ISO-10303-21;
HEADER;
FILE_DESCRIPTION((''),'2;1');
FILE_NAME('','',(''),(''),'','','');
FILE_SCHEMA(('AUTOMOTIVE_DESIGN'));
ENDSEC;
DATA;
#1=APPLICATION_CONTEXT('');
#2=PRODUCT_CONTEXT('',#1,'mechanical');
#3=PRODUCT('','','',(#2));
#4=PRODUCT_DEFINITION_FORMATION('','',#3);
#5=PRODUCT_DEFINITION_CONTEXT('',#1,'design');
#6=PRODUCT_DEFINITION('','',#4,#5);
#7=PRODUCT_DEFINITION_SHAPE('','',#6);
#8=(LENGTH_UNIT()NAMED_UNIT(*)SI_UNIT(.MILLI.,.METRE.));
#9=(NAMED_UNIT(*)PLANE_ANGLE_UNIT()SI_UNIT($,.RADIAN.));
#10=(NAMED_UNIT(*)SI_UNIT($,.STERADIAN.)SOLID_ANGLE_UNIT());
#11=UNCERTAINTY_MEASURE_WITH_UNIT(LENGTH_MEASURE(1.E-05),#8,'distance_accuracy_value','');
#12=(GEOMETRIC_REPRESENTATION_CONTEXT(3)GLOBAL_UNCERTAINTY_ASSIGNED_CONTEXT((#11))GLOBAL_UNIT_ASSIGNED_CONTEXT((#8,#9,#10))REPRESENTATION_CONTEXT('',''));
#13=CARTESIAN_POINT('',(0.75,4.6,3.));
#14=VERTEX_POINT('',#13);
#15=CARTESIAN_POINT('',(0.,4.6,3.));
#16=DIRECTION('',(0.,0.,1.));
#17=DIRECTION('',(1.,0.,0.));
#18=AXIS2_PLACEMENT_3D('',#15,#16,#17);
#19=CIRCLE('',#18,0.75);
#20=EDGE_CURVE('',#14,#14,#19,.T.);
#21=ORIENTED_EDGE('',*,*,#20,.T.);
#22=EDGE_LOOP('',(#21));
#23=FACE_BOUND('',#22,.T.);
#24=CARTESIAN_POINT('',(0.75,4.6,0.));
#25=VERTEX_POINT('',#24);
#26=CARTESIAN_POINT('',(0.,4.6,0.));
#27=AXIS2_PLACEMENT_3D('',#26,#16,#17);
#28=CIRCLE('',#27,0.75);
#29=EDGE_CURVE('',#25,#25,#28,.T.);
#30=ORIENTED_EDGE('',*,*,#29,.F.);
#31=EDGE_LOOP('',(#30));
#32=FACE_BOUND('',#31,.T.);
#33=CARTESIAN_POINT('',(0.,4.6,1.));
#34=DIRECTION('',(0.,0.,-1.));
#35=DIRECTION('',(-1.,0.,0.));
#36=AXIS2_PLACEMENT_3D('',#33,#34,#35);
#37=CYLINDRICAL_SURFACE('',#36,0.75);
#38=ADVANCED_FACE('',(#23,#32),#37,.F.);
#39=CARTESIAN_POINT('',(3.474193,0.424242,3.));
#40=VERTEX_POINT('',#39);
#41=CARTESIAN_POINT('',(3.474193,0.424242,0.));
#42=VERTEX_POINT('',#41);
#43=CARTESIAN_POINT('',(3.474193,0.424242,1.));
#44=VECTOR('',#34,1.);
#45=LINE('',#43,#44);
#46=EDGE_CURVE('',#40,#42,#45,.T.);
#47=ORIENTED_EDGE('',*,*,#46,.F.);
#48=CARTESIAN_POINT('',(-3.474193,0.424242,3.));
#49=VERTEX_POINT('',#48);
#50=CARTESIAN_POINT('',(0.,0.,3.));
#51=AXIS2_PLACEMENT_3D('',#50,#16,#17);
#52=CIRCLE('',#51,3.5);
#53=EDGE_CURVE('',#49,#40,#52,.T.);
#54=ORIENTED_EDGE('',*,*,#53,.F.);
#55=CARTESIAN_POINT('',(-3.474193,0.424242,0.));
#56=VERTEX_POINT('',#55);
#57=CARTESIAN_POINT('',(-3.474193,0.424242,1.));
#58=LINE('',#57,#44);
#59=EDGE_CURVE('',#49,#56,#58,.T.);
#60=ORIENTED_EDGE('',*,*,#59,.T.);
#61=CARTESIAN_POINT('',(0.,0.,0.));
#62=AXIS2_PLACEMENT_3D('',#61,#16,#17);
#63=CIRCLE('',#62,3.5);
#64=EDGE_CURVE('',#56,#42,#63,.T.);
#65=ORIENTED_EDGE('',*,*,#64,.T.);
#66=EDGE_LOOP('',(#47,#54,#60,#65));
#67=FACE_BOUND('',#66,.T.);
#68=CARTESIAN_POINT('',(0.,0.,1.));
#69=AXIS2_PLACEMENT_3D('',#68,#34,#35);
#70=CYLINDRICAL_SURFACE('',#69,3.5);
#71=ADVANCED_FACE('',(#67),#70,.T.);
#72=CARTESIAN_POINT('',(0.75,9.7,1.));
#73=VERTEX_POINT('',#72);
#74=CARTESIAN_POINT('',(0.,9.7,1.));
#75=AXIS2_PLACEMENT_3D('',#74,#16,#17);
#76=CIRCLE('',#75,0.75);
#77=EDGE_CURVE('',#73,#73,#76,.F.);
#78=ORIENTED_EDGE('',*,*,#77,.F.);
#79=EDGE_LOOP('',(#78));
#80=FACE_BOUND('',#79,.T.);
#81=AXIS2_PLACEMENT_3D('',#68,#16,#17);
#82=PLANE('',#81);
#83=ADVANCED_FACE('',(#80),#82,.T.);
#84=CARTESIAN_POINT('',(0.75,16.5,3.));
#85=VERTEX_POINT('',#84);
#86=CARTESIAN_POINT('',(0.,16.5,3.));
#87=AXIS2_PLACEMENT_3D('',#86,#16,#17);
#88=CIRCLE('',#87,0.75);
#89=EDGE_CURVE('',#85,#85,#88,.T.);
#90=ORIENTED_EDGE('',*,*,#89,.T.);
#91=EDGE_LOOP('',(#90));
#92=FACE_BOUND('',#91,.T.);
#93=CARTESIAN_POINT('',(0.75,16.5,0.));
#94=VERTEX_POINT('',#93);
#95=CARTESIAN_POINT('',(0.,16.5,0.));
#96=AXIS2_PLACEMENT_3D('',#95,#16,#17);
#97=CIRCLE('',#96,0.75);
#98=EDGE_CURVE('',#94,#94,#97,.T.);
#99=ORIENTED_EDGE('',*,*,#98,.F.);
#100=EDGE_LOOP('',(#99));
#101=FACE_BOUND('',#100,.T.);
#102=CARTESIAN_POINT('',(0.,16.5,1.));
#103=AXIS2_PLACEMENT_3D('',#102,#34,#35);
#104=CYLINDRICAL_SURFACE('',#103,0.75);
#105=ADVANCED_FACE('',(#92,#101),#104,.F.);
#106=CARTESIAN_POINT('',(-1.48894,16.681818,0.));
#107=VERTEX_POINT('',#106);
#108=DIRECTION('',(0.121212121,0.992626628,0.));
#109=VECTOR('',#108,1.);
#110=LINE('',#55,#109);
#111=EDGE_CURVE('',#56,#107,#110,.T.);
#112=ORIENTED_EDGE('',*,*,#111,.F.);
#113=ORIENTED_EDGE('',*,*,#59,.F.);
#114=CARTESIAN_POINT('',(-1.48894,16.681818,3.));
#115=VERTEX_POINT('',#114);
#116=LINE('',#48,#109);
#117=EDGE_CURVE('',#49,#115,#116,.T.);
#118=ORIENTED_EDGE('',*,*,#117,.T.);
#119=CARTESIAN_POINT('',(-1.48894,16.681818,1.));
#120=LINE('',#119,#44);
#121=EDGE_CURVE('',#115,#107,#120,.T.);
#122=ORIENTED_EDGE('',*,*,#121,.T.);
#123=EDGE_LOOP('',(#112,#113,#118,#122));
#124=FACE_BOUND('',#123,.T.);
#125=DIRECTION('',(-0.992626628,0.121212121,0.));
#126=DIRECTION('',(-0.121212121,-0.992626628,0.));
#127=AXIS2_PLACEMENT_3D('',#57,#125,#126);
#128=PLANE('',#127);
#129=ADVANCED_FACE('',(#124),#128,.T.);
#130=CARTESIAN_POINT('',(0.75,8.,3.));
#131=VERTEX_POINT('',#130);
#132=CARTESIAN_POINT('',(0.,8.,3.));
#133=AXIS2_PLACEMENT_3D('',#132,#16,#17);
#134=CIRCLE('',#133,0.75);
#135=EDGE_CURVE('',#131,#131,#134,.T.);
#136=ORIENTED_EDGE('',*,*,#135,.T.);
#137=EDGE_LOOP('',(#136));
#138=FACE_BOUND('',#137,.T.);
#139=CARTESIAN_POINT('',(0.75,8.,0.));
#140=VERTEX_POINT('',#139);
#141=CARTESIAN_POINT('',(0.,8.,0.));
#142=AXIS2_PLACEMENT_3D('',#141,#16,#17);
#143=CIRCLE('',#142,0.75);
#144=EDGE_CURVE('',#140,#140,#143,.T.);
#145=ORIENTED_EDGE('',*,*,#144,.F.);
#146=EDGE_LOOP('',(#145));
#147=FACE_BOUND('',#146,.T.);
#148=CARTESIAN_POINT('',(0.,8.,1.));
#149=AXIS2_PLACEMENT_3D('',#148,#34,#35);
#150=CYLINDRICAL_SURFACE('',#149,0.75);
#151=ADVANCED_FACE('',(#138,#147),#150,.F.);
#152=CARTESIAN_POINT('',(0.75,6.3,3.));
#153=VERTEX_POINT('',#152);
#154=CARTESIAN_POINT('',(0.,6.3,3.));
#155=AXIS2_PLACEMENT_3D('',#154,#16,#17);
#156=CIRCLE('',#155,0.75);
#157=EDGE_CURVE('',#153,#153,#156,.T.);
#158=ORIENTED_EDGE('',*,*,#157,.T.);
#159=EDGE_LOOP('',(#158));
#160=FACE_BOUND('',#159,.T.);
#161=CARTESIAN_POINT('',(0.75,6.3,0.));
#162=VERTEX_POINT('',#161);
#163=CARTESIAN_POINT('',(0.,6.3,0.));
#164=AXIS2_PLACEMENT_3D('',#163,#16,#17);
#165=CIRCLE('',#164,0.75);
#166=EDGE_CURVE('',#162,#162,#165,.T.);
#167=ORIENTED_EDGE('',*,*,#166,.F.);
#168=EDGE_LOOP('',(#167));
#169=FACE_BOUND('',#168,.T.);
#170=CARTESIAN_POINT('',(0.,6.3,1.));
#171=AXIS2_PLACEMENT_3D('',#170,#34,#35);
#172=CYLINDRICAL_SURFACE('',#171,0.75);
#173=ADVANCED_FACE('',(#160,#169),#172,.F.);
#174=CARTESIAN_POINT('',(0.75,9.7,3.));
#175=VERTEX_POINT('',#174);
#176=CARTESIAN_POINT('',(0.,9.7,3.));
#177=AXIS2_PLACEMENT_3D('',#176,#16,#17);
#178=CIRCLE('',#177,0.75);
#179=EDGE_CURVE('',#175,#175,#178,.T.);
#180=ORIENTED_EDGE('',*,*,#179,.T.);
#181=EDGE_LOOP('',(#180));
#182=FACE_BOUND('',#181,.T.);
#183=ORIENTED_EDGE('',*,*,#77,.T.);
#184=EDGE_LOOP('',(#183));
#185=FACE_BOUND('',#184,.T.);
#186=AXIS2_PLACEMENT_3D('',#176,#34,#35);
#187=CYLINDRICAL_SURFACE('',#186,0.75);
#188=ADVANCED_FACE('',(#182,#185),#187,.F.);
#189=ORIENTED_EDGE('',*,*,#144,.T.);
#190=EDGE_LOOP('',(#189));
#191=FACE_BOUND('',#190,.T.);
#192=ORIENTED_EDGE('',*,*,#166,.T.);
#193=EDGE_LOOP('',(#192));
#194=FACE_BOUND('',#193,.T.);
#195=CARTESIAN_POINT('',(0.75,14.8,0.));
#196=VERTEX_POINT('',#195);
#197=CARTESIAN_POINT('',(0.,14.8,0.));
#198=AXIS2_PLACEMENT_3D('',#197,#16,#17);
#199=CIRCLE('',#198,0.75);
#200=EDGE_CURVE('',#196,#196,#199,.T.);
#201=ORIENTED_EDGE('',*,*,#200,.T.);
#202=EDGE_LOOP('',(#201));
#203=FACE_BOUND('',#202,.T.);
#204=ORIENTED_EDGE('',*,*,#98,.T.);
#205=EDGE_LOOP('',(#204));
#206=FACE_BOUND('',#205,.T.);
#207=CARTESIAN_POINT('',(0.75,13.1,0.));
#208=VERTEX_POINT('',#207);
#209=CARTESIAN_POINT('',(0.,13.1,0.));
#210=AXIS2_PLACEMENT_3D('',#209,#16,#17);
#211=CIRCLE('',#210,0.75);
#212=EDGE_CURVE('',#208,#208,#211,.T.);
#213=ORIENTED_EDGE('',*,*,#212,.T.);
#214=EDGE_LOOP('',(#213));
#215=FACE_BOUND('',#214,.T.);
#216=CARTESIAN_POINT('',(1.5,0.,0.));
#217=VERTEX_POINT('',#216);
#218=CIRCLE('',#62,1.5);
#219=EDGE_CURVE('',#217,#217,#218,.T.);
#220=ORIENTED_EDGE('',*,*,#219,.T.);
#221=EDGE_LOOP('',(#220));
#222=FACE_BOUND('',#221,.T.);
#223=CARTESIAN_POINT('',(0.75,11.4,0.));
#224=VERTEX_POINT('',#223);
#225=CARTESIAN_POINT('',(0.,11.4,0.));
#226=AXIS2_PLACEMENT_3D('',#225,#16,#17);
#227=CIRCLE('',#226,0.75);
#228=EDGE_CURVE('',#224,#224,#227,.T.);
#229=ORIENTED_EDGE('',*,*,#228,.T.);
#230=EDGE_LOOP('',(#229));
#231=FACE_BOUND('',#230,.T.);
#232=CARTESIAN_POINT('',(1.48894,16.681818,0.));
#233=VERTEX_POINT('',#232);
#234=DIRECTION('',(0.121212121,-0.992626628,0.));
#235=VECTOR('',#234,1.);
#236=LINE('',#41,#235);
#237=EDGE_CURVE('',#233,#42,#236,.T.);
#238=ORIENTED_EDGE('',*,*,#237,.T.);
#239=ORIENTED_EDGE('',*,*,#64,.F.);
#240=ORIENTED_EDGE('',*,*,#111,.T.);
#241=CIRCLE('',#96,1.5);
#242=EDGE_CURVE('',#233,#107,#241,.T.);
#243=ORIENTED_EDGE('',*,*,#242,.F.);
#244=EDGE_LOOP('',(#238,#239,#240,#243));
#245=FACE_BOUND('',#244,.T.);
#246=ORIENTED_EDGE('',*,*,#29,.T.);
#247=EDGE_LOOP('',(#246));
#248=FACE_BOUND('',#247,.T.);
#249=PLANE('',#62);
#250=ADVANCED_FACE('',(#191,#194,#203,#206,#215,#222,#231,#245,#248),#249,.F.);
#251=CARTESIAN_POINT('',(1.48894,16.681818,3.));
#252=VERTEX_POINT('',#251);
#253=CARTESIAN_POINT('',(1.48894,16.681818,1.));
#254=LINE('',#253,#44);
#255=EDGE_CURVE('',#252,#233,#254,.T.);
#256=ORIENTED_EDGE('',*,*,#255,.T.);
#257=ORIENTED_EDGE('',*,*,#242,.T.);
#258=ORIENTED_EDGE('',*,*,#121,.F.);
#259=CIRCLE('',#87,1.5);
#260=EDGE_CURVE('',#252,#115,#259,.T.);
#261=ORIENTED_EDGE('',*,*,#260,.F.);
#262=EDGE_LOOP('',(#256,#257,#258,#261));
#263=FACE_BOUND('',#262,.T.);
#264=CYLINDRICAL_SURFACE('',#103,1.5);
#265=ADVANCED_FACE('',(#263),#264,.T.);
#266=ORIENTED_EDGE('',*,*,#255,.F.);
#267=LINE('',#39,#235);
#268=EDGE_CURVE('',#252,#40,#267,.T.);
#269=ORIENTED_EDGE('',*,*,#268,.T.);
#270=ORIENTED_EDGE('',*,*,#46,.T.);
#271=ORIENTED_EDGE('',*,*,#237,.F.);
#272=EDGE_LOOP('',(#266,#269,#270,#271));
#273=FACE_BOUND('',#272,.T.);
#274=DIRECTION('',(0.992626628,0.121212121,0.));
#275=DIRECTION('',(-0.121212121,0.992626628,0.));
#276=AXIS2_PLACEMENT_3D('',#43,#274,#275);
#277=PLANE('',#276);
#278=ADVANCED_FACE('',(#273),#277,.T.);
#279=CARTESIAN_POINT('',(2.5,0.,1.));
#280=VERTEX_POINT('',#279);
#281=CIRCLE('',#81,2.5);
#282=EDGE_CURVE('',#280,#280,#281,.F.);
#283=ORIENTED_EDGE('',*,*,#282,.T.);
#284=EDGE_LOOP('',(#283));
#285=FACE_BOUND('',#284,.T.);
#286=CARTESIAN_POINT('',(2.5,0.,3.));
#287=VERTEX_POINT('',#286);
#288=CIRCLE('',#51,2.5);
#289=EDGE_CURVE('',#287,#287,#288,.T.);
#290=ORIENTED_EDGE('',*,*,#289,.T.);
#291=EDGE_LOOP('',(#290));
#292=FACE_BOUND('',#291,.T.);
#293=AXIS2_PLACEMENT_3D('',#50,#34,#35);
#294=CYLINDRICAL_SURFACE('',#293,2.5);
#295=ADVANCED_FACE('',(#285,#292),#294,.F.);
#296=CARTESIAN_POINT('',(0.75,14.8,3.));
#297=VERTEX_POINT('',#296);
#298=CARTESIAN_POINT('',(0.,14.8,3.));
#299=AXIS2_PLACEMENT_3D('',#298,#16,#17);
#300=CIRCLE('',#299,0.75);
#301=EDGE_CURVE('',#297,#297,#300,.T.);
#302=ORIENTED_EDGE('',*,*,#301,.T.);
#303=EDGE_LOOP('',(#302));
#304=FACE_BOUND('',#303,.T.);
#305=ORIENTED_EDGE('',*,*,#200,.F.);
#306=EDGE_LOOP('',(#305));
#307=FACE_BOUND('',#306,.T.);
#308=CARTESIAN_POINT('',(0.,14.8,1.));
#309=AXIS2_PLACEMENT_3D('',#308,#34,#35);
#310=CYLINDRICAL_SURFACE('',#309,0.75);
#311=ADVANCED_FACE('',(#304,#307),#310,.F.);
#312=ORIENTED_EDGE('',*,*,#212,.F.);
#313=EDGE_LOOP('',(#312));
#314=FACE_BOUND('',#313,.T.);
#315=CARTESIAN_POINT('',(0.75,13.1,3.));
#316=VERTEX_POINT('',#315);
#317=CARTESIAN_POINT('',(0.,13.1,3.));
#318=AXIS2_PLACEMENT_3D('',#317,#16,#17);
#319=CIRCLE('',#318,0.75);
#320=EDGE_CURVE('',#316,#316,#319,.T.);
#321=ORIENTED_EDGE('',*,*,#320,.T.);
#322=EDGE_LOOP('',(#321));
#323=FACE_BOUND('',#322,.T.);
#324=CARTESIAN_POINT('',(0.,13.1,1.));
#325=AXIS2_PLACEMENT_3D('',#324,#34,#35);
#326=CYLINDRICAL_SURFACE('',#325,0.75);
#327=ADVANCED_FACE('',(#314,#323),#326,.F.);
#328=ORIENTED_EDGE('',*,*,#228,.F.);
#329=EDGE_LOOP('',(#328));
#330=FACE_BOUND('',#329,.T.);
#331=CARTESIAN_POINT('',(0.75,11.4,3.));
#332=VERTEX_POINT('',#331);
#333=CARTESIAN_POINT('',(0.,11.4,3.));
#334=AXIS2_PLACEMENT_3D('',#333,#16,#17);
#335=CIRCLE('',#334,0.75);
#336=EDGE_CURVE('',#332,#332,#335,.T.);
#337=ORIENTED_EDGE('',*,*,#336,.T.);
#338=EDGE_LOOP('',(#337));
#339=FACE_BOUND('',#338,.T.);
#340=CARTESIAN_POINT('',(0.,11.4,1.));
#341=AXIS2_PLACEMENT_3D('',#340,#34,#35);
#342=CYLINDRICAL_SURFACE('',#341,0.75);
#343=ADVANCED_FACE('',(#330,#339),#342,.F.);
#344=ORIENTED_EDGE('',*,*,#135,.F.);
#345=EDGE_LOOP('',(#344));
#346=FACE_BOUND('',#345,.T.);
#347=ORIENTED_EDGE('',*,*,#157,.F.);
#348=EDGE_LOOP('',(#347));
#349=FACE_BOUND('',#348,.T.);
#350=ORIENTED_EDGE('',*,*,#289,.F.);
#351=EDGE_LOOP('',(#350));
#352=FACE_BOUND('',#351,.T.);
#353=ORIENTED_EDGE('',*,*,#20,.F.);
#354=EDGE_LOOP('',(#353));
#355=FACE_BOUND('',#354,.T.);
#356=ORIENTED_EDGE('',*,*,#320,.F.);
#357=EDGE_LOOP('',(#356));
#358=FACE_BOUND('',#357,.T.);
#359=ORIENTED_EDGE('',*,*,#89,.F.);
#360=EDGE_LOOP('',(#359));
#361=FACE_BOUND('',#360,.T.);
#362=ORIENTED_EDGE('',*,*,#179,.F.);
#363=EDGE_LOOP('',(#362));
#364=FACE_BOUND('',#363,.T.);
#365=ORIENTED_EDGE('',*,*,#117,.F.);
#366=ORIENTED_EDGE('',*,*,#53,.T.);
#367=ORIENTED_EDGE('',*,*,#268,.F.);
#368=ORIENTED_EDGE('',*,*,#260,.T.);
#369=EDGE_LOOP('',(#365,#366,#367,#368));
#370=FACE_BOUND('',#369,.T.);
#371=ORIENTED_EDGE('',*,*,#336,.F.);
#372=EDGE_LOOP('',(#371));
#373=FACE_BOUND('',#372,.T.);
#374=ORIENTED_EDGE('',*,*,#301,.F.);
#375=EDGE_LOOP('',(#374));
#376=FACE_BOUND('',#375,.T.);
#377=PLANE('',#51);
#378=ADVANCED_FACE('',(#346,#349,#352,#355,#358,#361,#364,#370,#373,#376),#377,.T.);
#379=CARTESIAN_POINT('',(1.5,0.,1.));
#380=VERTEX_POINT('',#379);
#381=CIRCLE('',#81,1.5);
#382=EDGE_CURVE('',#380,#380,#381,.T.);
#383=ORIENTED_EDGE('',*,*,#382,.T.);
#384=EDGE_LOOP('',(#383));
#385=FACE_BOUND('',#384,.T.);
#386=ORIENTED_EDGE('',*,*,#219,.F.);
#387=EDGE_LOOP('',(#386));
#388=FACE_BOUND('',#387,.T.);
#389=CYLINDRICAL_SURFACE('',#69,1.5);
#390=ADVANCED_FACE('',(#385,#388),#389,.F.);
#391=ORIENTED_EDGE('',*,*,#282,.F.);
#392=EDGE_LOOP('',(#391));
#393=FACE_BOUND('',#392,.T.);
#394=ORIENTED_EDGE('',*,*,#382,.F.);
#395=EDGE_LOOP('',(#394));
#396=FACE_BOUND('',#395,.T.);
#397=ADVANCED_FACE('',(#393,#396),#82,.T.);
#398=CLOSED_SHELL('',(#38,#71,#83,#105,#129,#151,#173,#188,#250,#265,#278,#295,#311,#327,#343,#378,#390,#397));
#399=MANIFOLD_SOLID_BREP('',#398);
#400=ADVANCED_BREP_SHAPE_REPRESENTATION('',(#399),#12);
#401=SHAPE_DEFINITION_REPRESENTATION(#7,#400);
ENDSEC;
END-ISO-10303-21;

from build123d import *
from build123d.topology import SkipClean

# Parameters (mm, degrees)
SKETCH2_R           = 0.75
SKETCH2_R_2         = 1.5
BOSS_EXTRUDE1_DEPTH = 1
SKETCH2_3_R         = 2.5
SKETCH2_3_R_2       = 0.75
BOSS_EXTRUDE2_DEPTH = 3


with BuildPart() as part:
    # Sketch2 → Boss-Extrude1 (new body)
    with BuildSketch(Plane(origin=(0, 0, 0), x_dir=(0, 1, 0), z_dir=(0, 0, 1))):
        with BuildLine():
            Line((0.424242424, 3.474193196), (16.681818182, 1.488939941))
            ThreePointArc((16.681818182, 1.488939941), (18, 0), (16.681818182, -1.488939941))
            Line((16.681818182, -1.488939941), (0.424242424, -3.474193196))
            ThreePointArc((0.424242424, -3.474193196), (-3.5, 0), (0.424242424, 3.474193196))
        make_face()
        with Locations(Location((16.5, 0, 0), (0, 0, 270))):
            Circle(SKETCH2_R, mode=Mode.SUBTRACT)
        with Locations(Location((14.8, 0, 0), (0, 0, 270))):
            Circle(SKETCH2_R, mode=Mode.SUBTRACT)
        with Locations(Location((13.1, 0, 0), (0, 0, 270))):
            Circle(SKETCH2_R, mode=Mode.SUBTRACT)
        with Locations(Location((11.4, 0, 0), (0, 0, 270))):
            Circle(SKETCH2_R, mode=Mode.SUBTRACT)
        with Locations(Location((8, 0, 0), (0, 0, 270))):
            Circle(SKETCH2_R, mode=Mode.SUBTRACT)
        with Locations(Location((6.3, 0, 0), (0, 0, 270))):
            Circle(SKETCH2_R, mode=Mode.SUBTRACT)
        with Locations(Location((4.6, 0, 0), (0, 0, 270))):
            Circle(SKETCH2_R, mode=Mode.SUBTRACT)
        with Locations(Location((0, 0, 0), (0, 0, 270))):
            Circle(SKETCH2_R_2, mode=Mode.SUBTRACT)
    extrude(amount=BOSS_EXTRUDE1_DEPTH)

    # Sketch2<3> → Boss-Extrude2 (add)
    with SkipClean():  # the faces are left unmerged after this step: merging them gives an invalid solid
        with BuildSketch(Plane(origin=(0, 0, 0), x_dir=(0, 1, 0), z_dir=(0, 0, 1))):
            with BuildLine():
                ThreePointArc((0.424242424, 3.474193196), (-3.5, 0), (0.424242424, -3.474193196))
                Line((0.424242424, -3.474193196), (16.681818182, -1.488939941))
                ThreePointArc((16.681818182, -1.488939941), (18, 0), (16.681818182, 1.488939941))
                Line((16.681818182, 1.488939941), (0.424242424, 3.474193196))
            make_face()
            with Locations(Location((0, 0, 0), (0, 0, 270))):
                Circle(SKETCH2_3_R, mode=Mode.SUBTRACT)
            with Locations(Location((16.5, 0, 0), (0, 0, 270))):
                Circle(SKETCH2_3_R_2, mode=Mode.SUBTRACT)
            with Locations(Location((4.6, 0, 0), (0, 0, 270))):
                Circle(SKETCH2_3_R_2, mode=Mode.SUBTRACT)
            with Locations(Location((6.3, 0, 0), (0, 0, 270))):
                Circle(SKETCH2_3_R_2, mode=Mode.SUBTRACT)
            with Locations(Location((8, 0, 0), (0, 0, 270))):
                Circle(SKETCH2_3_R_2, mode=Mode.SUBTRACT)
            with Locations(Location((9.7, 0, 0), (0, 0, 270))):
                Circle(SKETCH2_3_R_2, mode=Mode.SUBTRACT)
            with Locations(Location((11.4, 0, 0), (0, 0, 270))):
                Circle(SKETCH2_3_R_2, mode=Mode.SUBTRACT)
            with Locations(Location((13.1, 0, 0), (0, 0, 270))):
                Circle(SKETCH2_3_R_2, mode=Mode.SUBTRACT)
            with Locations(Location((14.8, 0, 0), (0, 0, 270))):
                Circle(SKETCH2_3_R_2, mode=Mode.SUBTRACT)
        extrude(amount=BOSS_EXTRUDE2_DEPTH)


solid = part.part
